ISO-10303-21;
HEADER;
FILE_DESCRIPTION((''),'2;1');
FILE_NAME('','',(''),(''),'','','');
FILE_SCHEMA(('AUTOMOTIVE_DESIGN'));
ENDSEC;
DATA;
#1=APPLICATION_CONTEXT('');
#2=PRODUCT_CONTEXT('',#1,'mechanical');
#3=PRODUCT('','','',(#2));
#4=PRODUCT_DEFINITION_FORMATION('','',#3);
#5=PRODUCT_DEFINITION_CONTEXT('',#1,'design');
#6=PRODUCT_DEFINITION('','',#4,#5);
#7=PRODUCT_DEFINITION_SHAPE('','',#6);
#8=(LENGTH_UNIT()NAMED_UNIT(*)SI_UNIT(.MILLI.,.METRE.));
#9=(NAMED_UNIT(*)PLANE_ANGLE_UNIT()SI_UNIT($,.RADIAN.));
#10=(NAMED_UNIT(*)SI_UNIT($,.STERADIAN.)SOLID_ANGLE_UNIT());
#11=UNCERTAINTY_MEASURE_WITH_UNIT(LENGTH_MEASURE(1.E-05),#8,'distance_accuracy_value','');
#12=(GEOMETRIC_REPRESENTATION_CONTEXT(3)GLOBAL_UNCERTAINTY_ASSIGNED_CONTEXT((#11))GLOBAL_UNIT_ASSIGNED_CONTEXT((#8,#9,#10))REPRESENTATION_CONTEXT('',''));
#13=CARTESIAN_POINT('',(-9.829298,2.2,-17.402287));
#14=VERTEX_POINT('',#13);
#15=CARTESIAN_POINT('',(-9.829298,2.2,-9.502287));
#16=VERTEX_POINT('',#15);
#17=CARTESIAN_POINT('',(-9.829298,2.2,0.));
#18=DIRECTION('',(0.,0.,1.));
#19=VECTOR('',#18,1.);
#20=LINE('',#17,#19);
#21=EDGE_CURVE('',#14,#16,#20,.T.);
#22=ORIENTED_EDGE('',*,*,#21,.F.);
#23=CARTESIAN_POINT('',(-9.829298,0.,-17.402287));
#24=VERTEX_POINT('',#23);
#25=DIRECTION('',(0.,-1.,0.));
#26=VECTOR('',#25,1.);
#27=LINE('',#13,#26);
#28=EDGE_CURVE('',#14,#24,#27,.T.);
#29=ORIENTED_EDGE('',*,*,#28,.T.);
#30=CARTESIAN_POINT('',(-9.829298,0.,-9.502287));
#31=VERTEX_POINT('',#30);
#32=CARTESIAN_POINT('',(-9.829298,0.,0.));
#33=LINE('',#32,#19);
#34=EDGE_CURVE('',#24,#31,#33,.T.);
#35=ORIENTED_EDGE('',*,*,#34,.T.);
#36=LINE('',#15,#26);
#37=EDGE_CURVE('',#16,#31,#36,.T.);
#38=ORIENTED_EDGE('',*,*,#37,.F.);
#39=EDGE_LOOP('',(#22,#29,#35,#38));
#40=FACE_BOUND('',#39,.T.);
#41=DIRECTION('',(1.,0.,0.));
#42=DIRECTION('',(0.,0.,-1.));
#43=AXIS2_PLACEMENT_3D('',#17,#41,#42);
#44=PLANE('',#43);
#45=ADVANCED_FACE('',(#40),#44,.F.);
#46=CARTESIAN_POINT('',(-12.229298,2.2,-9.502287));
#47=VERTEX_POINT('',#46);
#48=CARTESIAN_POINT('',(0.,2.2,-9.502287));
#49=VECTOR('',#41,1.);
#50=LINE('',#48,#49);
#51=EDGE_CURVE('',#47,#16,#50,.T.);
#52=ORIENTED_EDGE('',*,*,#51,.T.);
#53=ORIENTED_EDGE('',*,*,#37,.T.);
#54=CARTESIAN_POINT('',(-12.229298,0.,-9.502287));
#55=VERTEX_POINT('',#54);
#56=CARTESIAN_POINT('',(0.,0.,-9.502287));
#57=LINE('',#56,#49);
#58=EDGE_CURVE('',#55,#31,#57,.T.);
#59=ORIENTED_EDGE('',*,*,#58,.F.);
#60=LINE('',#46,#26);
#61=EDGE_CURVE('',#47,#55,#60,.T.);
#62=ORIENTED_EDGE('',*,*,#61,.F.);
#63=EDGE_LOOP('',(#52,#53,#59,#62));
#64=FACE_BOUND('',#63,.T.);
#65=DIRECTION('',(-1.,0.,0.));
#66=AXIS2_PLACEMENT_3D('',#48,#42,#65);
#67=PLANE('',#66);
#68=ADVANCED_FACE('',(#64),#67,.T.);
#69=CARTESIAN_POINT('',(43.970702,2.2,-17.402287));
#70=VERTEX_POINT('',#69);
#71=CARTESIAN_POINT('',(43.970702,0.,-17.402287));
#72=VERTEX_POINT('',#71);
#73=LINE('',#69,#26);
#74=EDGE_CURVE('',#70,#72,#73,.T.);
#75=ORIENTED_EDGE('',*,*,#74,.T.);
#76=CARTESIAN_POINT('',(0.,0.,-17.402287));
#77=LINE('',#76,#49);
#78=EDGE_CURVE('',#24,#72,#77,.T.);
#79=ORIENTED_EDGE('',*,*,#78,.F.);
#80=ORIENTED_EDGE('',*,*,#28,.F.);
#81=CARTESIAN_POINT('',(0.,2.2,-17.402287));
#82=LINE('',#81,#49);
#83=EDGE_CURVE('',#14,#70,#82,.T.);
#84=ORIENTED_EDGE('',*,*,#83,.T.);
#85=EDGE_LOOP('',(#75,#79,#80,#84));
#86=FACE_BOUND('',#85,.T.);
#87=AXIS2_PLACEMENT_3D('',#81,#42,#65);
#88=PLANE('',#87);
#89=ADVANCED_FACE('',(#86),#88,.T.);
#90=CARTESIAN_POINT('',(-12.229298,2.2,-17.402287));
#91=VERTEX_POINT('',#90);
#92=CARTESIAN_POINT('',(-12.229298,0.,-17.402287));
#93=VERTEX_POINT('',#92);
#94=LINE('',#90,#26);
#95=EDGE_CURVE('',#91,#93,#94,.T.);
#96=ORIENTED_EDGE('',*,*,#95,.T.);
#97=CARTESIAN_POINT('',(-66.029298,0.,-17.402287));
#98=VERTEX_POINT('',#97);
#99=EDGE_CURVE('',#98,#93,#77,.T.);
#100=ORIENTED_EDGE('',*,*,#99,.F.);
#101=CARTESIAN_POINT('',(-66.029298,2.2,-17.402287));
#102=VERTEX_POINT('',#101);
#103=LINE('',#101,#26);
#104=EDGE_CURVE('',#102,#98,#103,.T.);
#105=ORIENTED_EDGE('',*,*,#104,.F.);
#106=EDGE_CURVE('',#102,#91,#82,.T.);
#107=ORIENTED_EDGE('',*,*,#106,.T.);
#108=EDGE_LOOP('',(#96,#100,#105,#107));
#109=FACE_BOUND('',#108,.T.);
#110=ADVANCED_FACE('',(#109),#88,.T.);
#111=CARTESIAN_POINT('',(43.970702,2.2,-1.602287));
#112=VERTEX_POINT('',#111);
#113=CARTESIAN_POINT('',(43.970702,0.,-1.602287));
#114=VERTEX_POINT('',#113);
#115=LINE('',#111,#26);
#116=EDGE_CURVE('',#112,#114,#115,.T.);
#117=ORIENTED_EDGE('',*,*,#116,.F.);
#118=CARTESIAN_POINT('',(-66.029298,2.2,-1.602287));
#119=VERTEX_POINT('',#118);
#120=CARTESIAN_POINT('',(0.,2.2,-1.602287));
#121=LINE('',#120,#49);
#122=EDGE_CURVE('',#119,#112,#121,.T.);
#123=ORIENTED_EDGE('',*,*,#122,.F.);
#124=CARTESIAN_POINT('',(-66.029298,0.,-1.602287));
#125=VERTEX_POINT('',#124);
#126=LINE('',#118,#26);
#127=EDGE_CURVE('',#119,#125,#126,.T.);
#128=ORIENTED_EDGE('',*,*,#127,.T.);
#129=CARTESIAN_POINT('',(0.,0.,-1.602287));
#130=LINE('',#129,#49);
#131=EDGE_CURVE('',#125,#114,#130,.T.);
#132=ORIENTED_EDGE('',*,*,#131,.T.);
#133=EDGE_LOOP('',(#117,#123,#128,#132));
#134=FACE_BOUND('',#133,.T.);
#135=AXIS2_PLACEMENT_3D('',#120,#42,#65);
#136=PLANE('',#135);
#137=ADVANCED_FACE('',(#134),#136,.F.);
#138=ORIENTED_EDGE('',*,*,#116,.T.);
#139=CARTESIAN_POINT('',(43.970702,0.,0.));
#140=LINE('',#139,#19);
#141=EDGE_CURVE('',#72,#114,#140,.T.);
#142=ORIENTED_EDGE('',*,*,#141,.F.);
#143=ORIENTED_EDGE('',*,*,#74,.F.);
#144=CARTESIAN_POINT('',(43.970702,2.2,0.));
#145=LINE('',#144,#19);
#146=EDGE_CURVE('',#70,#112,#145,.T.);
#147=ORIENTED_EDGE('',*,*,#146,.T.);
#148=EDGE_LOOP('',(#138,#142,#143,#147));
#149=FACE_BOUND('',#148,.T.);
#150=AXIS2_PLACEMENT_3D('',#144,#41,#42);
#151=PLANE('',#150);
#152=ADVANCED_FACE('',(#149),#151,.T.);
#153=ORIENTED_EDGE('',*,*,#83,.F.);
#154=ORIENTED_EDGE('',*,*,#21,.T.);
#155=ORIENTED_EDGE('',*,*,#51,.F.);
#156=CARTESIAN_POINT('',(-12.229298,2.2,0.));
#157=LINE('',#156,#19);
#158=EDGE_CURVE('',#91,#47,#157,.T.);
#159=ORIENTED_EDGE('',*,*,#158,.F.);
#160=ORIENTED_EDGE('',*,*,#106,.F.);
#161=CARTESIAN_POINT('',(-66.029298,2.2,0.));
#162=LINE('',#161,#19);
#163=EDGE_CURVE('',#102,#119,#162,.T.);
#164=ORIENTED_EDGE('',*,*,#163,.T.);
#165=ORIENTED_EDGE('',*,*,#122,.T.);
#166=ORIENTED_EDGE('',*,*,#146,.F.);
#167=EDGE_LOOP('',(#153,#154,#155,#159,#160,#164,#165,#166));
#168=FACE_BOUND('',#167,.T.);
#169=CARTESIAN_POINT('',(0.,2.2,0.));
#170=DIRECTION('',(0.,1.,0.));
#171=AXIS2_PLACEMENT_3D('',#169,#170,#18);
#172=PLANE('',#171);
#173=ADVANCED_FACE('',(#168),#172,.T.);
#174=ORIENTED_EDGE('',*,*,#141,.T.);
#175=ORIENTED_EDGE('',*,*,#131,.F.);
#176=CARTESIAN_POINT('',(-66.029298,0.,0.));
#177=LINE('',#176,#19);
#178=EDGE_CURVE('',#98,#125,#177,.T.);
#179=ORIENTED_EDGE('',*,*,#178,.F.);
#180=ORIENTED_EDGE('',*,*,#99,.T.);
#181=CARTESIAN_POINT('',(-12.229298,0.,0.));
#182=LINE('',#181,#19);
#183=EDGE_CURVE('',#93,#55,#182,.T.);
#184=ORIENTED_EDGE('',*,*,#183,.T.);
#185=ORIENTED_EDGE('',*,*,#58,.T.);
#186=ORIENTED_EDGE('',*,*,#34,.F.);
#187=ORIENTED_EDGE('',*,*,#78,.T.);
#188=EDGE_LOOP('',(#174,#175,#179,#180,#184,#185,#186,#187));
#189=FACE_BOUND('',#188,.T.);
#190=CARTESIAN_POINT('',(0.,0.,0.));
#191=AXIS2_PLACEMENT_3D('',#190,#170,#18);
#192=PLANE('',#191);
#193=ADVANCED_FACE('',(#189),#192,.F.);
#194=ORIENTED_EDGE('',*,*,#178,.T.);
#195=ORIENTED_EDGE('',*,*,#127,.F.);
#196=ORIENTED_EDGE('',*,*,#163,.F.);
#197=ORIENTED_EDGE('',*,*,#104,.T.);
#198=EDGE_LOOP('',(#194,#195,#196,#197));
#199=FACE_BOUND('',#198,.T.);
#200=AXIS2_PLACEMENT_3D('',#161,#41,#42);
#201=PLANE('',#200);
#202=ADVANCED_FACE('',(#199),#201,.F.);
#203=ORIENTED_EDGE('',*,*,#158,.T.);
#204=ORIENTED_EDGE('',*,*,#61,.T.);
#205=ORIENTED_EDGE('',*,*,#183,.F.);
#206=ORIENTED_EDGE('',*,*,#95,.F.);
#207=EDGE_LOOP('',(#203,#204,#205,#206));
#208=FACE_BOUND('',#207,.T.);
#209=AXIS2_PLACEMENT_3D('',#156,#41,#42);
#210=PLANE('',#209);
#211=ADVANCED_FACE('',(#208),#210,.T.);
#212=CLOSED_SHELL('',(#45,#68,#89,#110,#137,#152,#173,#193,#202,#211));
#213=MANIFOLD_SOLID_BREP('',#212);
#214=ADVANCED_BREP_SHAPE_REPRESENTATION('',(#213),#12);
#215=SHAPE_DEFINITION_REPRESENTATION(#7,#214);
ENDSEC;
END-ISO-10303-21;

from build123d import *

# Parameters (mm, degrees)
BOSS_EXTRUDE1_DEPTH = 2.2


with BuildPart() as part:
    # Sketch1 → Boss-Extrude1 (new body)
    with BuildSketch(Plane(origin=(0, 0, 0), x_dir=(1, 0, 0), z_dir=(0, 1, 0))):
        Polygon((-12.229298369, 9.502287284), (-9.829298369, 9.502287284), (-9.829298369, 17.402287284), (43.970701631, 17.402287284), (43.970701631, 1.602287284), (-66.029298369, 1.602287284), (-66.029298369, 17.402287284), (-12.229298369, 17.402287284), align=None)
    extrude(amount=BOSS_EXTRUDE1_DEPTH)


solid = part.part
